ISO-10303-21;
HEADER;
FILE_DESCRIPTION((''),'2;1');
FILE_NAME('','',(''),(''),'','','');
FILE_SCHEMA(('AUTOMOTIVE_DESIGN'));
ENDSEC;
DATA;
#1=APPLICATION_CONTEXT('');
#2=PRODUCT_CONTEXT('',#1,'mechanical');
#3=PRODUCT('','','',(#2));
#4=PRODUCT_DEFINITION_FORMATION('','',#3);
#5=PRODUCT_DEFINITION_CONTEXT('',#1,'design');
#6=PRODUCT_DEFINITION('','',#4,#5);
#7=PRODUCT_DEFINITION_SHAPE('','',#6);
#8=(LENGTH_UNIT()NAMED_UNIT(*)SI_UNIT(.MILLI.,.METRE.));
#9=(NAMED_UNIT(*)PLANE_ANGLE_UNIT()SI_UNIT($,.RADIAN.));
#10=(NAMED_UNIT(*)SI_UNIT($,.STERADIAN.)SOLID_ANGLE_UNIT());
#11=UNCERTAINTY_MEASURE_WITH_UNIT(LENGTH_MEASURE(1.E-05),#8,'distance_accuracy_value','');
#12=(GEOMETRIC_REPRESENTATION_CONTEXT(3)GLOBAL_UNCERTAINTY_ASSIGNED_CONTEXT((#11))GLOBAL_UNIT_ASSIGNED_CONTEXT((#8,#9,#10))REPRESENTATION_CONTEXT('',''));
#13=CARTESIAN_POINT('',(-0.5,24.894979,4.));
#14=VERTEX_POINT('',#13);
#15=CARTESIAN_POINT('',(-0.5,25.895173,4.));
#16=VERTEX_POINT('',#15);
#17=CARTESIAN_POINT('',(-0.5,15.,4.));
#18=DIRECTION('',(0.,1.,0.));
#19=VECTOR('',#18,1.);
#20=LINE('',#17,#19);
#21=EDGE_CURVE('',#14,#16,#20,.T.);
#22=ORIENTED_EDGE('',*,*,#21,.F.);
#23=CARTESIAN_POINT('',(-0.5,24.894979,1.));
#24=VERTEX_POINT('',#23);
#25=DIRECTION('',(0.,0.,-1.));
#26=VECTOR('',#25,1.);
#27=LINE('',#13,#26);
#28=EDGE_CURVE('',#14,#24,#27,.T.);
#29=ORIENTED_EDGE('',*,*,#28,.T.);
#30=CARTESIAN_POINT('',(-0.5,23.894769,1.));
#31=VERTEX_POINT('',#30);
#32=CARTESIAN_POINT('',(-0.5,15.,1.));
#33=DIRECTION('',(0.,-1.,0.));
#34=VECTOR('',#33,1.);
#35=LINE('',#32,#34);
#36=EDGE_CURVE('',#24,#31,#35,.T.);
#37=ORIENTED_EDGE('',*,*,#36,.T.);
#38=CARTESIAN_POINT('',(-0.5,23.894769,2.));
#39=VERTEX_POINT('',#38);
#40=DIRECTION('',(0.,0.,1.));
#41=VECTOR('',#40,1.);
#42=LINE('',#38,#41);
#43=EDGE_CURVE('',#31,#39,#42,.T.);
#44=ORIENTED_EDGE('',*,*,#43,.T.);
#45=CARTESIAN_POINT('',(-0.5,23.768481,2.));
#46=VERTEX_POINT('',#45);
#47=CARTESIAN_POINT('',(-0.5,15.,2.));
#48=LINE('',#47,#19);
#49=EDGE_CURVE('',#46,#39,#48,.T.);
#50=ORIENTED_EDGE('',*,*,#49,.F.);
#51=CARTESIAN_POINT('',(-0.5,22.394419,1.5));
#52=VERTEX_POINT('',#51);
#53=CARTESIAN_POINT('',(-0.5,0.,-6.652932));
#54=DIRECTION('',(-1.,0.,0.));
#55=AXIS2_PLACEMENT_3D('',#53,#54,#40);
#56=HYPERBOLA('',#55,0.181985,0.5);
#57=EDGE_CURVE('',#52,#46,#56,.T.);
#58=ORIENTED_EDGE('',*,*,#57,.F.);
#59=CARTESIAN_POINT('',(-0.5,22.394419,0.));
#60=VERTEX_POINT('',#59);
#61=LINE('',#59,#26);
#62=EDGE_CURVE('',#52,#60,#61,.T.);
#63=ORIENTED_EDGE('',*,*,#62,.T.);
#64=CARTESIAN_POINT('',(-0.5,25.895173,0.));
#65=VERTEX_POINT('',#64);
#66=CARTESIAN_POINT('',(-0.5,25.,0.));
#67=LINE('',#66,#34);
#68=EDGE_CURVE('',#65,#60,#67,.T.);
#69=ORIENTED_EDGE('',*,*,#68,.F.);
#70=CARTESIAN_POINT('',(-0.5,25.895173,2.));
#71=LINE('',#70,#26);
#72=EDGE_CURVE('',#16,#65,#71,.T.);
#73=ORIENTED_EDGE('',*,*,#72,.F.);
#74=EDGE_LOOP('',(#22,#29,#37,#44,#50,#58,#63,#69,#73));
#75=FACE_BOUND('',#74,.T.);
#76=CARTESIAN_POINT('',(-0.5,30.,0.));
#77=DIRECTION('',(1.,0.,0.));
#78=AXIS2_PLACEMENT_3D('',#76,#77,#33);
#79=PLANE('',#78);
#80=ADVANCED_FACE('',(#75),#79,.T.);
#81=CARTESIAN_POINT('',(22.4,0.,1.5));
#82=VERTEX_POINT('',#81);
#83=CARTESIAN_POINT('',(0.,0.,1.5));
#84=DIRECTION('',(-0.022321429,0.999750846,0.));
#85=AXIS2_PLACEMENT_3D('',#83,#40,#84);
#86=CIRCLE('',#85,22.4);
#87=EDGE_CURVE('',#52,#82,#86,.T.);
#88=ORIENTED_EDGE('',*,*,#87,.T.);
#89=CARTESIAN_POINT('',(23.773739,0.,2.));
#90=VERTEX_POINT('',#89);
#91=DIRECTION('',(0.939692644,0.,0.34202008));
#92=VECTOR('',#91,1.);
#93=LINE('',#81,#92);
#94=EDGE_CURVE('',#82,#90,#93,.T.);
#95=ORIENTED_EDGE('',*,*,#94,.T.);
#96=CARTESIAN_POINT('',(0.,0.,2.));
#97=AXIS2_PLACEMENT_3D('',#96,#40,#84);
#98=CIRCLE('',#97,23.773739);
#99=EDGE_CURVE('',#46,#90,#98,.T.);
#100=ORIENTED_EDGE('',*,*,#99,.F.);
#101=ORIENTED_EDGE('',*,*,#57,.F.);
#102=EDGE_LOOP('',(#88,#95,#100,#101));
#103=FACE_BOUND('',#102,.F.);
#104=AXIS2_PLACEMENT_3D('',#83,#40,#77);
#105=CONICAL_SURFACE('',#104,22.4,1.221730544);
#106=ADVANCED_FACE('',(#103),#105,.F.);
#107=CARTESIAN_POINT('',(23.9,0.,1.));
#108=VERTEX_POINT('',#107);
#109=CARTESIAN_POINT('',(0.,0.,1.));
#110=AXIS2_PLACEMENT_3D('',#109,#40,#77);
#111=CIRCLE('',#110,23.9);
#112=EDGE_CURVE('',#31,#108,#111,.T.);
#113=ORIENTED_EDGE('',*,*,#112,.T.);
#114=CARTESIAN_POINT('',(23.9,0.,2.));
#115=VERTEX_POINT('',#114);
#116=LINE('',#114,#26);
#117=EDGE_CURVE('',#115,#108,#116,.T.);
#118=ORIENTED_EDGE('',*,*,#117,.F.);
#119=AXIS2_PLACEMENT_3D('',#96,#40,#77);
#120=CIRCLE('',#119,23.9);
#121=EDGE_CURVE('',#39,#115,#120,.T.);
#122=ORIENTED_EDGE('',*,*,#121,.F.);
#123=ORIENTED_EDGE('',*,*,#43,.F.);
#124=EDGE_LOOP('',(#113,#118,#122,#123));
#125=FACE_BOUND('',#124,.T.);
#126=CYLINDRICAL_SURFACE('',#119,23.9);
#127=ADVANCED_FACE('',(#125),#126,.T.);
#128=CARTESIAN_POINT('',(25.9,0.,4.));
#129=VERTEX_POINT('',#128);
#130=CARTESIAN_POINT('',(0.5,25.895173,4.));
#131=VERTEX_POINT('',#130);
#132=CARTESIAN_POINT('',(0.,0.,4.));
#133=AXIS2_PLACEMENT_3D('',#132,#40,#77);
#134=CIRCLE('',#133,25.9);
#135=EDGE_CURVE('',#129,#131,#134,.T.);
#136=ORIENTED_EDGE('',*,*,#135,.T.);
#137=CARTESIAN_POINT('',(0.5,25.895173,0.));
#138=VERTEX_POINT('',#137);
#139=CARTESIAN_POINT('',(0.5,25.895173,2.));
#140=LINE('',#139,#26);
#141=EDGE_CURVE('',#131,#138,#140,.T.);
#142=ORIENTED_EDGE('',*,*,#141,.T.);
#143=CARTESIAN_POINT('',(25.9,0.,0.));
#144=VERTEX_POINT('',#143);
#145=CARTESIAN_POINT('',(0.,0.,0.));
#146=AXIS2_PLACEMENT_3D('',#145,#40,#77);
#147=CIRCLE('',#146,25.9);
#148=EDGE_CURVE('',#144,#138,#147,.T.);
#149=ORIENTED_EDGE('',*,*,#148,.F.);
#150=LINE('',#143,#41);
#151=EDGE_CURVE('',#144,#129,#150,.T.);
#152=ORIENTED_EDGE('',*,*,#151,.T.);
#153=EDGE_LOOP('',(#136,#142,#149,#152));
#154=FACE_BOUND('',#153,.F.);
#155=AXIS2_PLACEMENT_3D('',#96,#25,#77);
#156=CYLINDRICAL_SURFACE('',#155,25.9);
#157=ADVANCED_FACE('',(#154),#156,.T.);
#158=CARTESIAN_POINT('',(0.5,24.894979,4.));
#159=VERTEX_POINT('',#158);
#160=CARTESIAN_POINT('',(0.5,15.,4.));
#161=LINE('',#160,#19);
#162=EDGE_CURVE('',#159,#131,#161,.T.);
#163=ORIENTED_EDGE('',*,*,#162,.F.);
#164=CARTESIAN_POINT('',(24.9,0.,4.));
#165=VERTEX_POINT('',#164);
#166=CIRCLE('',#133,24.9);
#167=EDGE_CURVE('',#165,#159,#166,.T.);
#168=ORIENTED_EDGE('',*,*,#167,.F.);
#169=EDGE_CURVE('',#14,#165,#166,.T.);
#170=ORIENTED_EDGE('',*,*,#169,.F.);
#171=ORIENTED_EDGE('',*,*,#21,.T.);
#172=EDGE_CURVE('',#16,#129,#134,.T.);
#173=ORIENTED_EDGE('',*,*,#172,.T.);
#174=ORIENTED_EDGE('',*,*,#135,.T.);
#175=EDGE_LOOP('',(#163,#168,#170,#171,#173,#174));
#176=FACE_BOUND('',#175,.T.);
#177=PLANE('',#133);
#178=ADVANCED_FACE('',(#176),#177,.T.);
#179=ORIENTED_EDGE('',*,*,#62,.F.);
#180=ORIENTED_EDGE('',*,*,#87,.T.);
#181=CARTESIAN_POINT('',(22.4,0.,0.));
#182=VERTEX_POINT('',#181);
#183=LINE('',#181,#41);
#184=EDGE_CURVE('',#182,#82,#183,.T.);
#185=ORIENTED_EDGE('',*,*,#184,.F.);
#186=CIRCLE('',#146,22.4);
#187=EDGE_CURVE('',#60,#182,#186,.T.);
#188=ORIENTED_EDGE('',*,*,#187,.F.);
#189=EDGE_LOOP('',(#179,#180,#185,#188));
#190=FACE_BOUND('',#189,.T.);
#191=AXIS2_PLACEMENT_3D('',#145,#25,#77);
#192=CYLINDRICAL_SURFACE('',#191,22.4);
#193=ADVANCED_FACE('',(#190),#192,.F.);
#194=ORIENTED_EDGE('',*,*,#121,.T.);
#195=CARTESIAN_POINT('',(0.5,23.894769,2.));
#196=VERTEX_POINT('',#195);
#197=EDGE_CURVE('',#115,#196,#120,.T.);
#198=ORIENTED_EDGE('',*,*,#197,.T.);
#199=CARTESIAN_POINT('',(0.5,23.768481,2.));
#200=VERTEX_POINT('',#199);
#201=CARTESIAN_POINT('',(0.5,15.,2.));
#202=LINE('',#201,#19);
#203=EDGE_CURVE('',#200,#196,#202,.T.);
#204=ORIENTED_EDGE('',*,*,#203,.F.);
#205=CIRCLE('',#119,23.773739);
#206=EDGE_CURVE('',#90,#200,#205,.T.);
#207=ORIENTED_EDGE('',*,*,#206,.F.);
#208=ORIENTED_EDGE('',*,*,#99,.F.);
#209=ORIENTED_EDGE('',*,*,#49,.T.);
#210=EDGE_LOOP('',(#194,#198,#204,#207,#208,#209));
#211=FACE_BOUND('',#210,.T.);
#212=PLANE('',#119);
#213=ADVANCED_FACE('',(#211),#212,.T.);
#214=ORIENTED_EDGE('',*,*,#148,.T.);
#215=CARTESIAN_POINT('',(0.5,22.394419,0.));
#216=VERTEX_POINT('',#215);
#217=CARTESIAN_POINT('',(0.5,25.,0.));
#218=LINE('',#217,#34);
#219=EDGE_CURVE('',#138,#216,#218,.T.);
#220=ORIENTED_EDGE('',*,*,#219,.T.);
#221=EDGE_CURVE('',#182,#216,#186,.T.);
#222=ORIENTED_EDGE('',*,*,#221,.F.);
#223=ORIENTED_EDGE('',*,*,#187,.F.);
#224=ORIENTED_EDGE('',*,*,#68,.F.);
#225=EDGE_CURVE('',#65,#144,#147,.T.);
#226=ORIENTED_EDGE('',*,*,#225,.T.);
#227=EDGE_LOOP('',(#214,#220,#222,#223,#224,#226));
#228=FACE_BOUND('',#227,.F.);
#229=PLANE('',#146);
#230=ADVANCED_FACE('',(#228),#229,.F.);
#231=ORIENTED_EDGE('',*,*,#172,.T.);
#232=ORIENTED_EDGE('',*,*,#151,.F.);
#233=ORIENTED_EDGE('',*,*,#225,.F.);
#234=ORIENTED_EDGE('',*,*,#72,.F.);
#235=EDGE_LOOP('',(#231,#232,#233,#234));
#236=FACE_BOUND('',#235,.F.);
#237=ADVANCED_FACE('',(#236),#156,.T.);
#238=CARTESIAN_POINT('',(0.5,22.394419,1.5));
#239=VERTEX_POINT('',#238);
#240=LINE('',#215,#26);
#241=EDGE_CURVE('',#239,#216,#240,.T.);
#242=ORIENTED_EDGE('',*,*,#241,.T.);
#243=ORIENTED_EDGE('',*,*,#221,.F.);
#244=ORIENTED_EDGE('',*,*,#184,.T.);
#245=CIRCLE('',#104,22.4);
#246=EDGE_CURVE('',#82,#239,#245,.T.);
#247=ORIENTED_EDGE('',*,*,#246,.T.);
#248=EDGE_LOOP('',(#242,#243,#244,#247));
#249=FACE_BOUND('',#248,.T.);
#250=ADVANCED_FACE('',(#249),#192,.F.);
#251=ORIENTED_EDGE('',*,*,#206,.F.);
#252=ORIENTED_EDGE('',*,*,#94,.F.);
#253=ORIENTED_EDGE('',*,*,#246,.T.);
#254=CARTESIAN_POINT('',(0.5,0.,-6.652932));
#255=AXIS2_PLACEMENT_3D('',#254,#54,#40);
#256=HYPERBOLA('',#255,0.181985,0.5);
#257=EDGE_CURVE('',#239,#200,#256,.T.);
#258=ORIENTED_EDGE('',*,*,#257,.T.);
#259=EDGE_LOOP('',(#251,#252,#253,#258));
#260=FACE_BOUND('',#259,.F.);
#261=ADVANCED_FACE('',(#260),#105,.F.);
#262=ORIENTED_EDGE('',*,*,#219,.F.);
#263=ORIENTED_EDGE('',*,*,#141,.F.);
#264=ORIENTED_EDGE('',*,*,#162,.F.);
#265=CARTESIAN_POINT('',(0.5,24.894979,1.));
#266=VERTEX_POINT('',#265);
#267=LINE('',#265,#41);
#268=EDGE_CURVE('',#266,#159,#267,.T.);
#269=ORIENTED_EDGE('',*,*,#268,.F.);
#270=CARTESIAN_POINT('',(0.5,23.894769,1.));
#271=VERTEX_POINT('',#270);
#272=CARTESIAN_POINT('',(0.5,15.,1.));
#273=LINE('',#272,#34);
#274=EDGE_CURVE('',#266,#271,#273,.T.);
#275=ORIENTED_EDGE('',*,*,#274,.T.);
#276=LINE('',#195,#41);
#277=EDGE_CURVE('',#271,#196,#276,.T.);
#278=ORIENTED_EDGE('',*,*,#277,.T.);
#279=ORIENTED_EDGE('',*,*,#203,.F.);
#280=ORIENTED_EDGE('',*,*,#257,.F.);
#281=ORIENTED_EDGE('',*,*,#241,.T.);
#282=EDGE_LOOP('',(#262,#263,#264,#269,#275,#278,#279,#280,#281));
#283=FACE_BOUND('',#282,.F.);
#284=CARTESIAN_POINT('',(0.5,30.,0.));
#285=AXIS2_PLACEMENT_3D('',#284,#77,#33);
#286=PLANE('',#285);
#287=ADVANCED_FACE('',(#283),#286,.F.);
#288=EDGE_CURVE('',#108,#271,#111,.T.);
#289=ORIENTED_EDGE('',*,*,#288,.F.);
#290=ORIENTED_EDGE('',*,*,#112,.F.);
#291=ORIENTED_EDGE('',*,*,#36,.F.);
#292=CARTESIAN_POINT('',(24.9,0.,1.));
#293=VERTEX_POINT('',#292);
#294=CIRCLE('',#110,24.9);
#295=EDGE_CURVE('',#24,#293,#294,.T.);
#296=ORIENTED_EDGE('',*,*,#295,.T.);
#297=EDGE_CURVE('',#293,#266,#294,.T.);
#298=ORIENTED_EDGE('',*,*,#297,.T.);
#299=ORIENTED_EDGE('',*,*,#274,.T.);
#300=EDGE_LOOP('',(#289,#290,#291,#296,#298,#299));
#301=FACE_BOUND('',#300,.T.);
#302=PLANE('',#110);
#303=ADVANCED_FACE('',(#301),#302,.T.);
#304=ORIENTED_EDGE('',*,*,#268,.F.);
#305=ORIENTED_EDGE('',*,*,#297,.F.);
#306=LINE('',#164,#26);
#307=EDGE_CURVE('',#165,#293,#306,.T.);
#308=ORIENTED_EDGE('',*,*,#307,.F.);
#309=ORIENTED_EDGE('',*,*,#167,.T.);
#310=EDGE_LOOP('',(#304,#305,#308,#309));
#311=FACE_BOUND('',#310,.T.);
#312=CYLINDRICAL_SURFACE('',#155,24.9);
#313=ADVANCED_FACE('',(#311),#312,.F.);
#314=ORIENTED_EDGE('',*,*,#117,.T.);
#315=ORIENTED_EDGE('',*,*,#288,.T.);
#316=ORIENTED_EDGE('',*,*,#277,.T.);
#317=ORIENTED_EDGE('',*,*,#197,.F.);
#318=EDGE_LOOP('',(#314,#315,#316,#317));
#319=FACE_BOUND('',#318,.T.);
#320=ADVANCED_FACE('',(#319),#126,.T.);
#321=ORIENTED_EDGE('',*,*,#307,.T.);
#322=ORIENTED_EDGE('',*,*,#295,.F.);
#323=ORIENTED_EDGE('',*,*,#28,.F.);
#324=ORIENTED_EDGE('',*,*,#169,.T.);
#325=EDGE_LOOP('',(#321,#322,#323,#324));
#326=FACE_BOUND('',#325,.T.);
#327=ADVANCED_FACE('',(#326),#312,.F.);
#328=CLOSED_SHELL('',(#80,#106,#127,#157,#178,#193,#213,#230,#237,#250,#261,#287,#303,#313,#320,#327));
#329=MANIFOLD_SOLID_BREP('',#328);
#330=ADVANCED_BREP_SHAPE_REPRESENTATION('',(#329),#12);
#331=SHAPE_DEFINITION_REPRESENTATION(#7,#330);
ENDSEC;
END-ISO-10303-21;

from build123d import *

# Parameters (mm, degrees)
F0_R     = 25.9
F0_R_2   = 22.4
F1_DEPTH = 2
F2_R     = 25.9
F2_R_2   = 24.9
F3_DEPTH = 2
F4_W     = 1
F4_H     = 10
F5_DEPTH = 25
F6_R     = 24.9
F6_R_2   = 23.9
F7_DEPTH = 1
F8_SIZE2 = 1.373739
F8_SIZE  = 0.5


with BuildPart() as f1:
    # F0 (on Top) → F1 (new body)
    with BuildSketch(Plane.XY):
        Circle(F0_R)
        Circle(F0_R_2, mode=Mode.SUBTRACT)
    extrude(amount=F1_DEPTH)

    # F2 (on face) → F3 (join)
    with BuildSketch(Plane.XY.offset(2)):
        Circle(F2_R)
        Circle(F2_R_2, mode=Mode.SUBTRACT)
    extrude(amount=F3_DEPTH)

    # F4 (on face) → F5 (cut)
    with BuildSketch(Plane(origin=(0, 0, 0), x_dir=(1, 0, 0), z_dir=(0, 0, -1))):
        with Locations((0, -25)):
            Rectangle(F4_W, F4_H)
    extrude(amount=-F5_DEPTH, mode=Mode.SUBTRACT)

    # F6 (on face) → F7 (cut)
    with BuildSketch(Plane.XY.offset(2)):
        Circle(F6_R)
        Circle(F6_R_2, mode=Mode.SUBTRACT)
    extrude(amount=-F7_DEPTH, mode=Mode.SUBTRACT)

    # F8
    f8_edges = [f1.edges().sort_by_distance(p)[0] for p in [
        (-15.661418, -16.014993, 2),
    ]]
    chamfer(f8_edges, length=F8_SIZE, length2=F8_SIZE2)


solid = f1.part
